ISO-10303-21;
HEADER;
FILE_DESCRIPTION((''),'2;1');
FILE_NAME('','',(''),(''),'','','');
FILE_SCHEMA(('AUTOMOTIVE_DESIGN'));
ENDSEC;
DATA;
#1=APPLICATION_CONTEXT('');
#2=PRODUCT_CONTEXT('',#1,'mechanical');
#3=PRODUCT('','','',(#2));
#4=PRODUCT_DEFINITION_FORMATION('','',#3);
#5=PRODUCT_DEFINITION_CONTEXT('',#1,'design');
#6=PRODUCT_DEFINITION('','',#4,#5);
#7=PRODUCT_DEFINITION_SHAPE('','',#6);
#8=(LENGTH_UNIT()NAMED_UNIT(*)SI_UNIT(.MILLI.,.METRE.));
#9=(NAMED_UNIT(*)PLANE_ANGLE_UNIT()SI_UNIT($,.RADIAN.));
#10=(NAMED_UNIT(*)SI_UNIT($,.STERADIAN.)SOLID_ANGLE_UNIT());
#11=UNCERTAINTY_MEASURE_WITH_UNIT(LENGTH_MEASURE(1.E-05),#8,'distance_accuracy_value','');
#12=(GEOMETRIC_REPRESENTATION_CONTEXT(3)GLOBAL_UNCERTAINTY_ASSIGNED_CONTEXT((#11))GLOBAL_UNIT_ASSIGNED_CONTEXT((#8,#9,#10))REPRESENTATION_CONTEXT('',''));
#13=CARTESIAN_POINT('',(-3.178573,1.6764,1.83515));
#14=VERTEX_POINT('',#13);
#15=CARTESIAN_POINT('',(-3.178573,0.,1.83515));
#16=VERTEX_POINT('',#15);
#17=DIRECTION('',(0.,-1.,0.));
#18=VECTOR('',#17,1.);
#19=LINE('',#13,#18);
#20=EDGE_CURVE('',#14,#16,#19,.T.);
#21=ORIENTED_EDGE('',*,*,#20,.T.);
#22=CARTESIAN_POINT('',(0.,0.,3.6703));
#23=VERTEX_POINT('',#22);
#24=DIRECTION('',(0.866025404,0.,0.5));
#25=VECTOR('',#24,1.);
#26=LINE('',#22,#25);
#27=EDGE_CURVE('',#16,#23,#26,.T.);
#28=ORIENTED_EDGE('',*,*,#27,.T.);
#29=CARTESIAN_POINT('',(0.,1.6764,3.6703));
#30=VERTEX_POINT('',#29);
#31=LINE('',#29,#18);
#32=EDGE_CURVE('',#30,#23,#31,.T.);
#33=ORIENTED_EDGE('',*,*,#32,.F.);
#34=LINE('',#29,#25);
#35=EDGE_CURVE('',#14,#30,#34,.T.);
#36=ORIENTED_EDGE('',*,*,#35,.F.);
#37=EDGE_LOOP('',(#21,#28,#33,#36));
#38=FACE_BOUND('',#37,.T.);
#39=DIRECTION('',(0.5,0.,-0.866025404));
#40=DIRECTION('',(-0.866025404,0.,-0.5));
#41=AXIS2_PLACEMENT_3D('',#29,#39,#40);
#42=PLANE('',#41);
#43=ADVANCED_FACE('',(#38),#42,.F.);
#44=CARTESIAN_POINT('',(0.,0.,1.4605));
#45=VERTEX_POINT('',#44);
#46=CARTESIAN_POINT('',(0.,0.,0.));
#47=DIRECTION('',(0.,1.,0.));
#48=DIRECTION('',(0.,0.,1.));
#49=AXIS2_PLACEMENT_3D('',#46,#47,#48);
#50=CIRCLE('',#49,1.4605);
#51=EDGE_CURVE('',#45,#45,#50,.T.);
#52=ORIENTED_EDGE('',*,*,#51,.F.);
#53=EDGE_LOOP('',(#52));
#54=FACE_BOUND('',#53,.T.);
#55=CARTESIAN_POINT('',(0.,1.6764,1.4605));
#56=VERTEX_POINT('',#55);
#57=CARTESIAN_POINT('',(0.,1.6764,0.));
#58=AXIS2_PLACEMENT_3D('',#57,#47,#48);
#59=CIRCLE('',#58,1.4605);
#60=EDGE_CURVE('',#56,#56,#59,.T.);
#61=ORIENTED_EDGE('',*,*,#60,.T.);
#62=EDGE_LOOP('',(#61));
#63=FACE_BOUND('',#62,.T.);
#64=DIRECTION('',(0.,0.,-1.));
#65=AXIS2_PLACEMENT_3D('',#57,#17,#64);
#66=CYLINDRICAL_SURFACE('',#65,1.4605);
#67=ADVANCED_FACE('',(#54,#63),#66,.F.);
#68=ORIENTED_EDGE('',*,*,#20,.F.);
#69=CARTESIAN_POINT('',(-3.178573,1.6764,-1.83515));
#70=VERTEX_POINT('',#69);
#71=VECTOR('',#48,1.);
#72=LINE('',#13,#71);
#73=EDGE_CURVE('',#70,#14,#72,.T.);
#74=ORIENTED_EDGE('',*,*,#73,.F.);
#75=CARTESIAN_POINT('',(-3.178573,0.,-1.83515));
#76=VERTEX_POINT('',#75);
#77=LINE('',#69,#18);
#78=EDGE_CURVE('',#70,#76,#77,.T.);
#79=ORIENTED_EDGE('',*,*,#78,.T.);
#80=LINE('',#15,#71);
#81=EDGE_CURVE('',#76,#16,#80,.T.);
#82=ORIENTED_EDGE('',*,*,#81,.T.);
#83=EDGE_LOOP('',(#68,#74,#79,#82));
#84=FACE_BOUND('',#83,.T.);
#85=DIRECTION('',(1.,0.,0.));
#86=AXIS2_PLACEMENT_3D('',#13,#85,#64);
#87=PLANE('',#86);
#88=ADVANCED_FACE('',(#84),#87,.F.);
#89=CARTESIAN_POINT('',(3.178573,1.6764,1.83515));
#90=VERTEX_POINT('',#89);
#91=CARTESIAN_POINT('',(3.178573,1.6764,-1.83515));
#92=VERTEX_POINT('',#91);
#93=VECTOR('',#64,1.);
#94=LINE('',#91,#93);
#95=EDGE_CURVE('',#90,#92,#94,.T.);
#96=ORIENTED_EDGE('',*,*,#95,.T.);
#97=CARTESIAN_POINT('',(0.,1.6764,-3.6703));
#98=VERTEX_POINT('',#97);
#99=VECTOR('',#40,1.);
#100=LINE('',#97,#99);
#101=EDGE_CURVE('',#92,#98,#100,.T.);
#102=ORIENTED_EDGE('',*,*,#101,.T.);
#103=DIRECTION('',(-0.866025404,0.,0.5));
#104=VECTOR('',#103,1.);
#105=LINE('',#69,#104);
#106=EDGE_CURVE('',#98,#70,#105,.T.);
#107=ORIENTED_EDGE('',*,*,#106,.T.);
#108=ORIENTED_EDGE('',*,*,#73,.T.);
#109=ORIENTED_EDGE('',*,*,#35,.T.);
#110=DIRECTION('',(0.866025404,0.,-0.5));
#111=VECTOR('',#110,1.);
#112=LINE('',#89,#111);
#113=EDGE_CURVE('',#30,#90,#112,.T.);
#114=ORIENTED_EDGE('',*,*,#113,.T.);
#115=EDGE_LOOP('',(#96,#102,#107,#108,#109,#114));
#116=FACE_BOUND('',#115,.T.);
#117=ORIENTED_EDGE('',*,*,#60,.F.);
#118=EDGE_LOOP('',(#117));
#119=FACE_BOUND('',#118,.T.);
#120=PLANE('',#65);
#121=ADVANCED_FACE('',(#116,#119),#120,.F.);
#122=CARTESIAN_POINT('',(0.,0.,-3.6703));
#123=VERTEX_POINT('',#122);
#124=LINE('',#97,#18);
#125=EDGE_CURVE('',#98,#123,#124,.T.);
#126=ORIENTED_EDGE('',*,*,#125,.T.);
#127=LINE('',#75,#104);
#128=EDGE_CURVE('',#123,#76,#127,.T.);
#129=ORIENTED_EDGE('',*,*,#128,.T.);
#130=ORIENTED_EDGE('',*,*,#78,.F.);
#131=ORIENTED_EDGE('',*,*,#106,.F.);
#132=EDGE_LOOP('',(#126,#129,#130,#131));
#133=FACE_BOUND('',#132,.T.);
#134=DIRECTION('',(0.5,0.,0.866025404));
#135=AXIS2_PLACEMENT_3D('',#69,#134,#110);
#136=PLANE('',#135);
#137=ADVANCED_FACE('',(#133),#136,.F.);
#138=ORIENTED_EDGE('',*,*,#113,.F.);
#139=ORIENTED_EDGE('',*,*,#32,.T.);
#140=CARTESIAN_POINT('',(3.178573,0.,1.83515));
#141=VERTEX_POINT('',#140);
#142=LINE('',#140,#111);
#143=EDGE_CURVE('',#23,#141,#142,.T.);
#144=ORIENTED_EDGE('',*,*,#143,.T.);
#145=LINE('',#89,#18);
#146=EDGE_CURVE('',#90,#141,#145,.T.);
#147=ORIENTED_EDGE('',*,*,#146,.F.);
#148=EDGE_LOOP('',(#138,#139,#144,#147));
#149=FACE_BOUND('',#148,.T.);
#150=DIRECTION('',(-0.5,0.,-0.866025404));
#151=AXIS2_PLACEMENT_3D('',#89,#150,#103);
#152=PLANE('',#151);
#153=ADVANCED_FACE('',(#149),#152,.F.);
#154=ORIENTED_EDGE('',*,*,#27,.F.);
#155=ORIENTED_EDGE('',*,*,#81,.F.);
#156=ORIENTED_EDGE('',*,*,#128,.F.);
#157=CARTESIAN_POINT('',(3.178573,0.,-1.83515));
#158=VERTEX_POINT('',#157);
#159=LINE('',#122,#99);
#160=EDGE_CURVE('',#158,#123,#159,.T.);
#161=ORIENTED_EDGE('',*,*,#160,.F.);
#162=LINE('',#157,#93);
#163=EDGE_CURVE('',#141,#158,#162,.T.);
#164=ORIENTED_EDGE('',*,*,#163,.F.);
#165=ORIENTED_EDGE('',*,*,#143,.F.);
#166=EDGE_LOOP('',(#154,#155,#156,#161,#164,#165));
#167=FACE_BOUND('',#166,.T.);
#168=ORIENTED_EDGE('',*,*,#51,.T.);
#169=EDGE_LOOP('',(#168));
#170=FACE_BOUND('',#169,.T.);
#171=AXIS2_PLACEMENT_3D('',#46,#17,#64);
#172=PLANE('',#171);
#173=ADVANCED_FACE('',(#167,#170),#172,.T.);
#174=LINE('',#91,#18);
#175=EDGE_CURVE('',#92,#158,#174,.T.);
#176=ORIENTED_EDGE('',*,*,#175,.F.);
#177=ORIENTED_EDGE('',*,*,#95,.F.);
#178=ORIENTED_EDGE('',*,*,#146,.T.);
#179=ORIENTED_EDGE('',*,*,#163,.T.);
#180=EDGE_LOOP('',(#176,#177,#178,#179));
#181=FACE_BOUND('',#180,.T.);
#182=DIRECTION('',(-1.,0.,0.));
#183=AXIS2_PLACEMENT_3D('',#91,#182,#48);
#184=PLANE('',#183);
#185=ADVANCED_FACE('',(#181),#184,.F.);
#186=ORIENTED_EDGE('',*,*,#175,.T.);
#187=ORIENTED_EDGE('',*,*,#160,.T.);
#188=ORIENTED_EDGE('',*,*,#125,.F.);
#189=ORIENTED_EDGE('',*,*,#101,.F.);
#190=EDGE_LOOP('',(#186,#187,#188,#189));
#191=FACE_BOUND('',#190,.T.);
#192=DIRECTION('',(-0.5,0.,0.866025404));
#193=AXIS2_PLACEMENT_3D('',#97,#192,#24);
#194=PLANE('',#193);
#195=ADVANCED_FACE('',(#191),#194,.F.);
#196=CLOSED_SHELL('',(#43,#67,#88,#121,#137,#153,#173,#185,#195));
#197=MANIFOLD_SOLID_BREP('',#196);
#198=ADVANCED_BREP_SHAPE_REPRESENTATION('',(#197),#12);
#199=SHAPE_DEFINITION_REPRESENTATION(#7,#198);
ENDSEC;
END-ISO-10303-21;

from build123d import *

# Parameters (mm, degrees)
SKETCH1_R           = 1.4605
BOSS_EXTRUDE1_DEPTH = 1.6764


with BuildPart() as part:
    # Sketch1 → Boss-Extrude1 (new body)
    with BuildSketch(Plane(origin=(0, 0, 0), x_dir=(1, 0, 0), z_dir=(0, 1, 0))):
        Polygon((-3.17857304, 1.83515), (0, 3.6703), (3.17857304, 1.83515), (3.17857304, -1.83515), (0, -3.6703), (-3.17857304, -1.83515), align=None)
        with Locations(Location((0, 0, 0), (0, 0, 270))):
            Circle(SKETCH1_R, mode=Mode.SUBTRACT)
    extrude(amount=BOSS_EXTRUDE1_DEPTH)


solid = part.part
